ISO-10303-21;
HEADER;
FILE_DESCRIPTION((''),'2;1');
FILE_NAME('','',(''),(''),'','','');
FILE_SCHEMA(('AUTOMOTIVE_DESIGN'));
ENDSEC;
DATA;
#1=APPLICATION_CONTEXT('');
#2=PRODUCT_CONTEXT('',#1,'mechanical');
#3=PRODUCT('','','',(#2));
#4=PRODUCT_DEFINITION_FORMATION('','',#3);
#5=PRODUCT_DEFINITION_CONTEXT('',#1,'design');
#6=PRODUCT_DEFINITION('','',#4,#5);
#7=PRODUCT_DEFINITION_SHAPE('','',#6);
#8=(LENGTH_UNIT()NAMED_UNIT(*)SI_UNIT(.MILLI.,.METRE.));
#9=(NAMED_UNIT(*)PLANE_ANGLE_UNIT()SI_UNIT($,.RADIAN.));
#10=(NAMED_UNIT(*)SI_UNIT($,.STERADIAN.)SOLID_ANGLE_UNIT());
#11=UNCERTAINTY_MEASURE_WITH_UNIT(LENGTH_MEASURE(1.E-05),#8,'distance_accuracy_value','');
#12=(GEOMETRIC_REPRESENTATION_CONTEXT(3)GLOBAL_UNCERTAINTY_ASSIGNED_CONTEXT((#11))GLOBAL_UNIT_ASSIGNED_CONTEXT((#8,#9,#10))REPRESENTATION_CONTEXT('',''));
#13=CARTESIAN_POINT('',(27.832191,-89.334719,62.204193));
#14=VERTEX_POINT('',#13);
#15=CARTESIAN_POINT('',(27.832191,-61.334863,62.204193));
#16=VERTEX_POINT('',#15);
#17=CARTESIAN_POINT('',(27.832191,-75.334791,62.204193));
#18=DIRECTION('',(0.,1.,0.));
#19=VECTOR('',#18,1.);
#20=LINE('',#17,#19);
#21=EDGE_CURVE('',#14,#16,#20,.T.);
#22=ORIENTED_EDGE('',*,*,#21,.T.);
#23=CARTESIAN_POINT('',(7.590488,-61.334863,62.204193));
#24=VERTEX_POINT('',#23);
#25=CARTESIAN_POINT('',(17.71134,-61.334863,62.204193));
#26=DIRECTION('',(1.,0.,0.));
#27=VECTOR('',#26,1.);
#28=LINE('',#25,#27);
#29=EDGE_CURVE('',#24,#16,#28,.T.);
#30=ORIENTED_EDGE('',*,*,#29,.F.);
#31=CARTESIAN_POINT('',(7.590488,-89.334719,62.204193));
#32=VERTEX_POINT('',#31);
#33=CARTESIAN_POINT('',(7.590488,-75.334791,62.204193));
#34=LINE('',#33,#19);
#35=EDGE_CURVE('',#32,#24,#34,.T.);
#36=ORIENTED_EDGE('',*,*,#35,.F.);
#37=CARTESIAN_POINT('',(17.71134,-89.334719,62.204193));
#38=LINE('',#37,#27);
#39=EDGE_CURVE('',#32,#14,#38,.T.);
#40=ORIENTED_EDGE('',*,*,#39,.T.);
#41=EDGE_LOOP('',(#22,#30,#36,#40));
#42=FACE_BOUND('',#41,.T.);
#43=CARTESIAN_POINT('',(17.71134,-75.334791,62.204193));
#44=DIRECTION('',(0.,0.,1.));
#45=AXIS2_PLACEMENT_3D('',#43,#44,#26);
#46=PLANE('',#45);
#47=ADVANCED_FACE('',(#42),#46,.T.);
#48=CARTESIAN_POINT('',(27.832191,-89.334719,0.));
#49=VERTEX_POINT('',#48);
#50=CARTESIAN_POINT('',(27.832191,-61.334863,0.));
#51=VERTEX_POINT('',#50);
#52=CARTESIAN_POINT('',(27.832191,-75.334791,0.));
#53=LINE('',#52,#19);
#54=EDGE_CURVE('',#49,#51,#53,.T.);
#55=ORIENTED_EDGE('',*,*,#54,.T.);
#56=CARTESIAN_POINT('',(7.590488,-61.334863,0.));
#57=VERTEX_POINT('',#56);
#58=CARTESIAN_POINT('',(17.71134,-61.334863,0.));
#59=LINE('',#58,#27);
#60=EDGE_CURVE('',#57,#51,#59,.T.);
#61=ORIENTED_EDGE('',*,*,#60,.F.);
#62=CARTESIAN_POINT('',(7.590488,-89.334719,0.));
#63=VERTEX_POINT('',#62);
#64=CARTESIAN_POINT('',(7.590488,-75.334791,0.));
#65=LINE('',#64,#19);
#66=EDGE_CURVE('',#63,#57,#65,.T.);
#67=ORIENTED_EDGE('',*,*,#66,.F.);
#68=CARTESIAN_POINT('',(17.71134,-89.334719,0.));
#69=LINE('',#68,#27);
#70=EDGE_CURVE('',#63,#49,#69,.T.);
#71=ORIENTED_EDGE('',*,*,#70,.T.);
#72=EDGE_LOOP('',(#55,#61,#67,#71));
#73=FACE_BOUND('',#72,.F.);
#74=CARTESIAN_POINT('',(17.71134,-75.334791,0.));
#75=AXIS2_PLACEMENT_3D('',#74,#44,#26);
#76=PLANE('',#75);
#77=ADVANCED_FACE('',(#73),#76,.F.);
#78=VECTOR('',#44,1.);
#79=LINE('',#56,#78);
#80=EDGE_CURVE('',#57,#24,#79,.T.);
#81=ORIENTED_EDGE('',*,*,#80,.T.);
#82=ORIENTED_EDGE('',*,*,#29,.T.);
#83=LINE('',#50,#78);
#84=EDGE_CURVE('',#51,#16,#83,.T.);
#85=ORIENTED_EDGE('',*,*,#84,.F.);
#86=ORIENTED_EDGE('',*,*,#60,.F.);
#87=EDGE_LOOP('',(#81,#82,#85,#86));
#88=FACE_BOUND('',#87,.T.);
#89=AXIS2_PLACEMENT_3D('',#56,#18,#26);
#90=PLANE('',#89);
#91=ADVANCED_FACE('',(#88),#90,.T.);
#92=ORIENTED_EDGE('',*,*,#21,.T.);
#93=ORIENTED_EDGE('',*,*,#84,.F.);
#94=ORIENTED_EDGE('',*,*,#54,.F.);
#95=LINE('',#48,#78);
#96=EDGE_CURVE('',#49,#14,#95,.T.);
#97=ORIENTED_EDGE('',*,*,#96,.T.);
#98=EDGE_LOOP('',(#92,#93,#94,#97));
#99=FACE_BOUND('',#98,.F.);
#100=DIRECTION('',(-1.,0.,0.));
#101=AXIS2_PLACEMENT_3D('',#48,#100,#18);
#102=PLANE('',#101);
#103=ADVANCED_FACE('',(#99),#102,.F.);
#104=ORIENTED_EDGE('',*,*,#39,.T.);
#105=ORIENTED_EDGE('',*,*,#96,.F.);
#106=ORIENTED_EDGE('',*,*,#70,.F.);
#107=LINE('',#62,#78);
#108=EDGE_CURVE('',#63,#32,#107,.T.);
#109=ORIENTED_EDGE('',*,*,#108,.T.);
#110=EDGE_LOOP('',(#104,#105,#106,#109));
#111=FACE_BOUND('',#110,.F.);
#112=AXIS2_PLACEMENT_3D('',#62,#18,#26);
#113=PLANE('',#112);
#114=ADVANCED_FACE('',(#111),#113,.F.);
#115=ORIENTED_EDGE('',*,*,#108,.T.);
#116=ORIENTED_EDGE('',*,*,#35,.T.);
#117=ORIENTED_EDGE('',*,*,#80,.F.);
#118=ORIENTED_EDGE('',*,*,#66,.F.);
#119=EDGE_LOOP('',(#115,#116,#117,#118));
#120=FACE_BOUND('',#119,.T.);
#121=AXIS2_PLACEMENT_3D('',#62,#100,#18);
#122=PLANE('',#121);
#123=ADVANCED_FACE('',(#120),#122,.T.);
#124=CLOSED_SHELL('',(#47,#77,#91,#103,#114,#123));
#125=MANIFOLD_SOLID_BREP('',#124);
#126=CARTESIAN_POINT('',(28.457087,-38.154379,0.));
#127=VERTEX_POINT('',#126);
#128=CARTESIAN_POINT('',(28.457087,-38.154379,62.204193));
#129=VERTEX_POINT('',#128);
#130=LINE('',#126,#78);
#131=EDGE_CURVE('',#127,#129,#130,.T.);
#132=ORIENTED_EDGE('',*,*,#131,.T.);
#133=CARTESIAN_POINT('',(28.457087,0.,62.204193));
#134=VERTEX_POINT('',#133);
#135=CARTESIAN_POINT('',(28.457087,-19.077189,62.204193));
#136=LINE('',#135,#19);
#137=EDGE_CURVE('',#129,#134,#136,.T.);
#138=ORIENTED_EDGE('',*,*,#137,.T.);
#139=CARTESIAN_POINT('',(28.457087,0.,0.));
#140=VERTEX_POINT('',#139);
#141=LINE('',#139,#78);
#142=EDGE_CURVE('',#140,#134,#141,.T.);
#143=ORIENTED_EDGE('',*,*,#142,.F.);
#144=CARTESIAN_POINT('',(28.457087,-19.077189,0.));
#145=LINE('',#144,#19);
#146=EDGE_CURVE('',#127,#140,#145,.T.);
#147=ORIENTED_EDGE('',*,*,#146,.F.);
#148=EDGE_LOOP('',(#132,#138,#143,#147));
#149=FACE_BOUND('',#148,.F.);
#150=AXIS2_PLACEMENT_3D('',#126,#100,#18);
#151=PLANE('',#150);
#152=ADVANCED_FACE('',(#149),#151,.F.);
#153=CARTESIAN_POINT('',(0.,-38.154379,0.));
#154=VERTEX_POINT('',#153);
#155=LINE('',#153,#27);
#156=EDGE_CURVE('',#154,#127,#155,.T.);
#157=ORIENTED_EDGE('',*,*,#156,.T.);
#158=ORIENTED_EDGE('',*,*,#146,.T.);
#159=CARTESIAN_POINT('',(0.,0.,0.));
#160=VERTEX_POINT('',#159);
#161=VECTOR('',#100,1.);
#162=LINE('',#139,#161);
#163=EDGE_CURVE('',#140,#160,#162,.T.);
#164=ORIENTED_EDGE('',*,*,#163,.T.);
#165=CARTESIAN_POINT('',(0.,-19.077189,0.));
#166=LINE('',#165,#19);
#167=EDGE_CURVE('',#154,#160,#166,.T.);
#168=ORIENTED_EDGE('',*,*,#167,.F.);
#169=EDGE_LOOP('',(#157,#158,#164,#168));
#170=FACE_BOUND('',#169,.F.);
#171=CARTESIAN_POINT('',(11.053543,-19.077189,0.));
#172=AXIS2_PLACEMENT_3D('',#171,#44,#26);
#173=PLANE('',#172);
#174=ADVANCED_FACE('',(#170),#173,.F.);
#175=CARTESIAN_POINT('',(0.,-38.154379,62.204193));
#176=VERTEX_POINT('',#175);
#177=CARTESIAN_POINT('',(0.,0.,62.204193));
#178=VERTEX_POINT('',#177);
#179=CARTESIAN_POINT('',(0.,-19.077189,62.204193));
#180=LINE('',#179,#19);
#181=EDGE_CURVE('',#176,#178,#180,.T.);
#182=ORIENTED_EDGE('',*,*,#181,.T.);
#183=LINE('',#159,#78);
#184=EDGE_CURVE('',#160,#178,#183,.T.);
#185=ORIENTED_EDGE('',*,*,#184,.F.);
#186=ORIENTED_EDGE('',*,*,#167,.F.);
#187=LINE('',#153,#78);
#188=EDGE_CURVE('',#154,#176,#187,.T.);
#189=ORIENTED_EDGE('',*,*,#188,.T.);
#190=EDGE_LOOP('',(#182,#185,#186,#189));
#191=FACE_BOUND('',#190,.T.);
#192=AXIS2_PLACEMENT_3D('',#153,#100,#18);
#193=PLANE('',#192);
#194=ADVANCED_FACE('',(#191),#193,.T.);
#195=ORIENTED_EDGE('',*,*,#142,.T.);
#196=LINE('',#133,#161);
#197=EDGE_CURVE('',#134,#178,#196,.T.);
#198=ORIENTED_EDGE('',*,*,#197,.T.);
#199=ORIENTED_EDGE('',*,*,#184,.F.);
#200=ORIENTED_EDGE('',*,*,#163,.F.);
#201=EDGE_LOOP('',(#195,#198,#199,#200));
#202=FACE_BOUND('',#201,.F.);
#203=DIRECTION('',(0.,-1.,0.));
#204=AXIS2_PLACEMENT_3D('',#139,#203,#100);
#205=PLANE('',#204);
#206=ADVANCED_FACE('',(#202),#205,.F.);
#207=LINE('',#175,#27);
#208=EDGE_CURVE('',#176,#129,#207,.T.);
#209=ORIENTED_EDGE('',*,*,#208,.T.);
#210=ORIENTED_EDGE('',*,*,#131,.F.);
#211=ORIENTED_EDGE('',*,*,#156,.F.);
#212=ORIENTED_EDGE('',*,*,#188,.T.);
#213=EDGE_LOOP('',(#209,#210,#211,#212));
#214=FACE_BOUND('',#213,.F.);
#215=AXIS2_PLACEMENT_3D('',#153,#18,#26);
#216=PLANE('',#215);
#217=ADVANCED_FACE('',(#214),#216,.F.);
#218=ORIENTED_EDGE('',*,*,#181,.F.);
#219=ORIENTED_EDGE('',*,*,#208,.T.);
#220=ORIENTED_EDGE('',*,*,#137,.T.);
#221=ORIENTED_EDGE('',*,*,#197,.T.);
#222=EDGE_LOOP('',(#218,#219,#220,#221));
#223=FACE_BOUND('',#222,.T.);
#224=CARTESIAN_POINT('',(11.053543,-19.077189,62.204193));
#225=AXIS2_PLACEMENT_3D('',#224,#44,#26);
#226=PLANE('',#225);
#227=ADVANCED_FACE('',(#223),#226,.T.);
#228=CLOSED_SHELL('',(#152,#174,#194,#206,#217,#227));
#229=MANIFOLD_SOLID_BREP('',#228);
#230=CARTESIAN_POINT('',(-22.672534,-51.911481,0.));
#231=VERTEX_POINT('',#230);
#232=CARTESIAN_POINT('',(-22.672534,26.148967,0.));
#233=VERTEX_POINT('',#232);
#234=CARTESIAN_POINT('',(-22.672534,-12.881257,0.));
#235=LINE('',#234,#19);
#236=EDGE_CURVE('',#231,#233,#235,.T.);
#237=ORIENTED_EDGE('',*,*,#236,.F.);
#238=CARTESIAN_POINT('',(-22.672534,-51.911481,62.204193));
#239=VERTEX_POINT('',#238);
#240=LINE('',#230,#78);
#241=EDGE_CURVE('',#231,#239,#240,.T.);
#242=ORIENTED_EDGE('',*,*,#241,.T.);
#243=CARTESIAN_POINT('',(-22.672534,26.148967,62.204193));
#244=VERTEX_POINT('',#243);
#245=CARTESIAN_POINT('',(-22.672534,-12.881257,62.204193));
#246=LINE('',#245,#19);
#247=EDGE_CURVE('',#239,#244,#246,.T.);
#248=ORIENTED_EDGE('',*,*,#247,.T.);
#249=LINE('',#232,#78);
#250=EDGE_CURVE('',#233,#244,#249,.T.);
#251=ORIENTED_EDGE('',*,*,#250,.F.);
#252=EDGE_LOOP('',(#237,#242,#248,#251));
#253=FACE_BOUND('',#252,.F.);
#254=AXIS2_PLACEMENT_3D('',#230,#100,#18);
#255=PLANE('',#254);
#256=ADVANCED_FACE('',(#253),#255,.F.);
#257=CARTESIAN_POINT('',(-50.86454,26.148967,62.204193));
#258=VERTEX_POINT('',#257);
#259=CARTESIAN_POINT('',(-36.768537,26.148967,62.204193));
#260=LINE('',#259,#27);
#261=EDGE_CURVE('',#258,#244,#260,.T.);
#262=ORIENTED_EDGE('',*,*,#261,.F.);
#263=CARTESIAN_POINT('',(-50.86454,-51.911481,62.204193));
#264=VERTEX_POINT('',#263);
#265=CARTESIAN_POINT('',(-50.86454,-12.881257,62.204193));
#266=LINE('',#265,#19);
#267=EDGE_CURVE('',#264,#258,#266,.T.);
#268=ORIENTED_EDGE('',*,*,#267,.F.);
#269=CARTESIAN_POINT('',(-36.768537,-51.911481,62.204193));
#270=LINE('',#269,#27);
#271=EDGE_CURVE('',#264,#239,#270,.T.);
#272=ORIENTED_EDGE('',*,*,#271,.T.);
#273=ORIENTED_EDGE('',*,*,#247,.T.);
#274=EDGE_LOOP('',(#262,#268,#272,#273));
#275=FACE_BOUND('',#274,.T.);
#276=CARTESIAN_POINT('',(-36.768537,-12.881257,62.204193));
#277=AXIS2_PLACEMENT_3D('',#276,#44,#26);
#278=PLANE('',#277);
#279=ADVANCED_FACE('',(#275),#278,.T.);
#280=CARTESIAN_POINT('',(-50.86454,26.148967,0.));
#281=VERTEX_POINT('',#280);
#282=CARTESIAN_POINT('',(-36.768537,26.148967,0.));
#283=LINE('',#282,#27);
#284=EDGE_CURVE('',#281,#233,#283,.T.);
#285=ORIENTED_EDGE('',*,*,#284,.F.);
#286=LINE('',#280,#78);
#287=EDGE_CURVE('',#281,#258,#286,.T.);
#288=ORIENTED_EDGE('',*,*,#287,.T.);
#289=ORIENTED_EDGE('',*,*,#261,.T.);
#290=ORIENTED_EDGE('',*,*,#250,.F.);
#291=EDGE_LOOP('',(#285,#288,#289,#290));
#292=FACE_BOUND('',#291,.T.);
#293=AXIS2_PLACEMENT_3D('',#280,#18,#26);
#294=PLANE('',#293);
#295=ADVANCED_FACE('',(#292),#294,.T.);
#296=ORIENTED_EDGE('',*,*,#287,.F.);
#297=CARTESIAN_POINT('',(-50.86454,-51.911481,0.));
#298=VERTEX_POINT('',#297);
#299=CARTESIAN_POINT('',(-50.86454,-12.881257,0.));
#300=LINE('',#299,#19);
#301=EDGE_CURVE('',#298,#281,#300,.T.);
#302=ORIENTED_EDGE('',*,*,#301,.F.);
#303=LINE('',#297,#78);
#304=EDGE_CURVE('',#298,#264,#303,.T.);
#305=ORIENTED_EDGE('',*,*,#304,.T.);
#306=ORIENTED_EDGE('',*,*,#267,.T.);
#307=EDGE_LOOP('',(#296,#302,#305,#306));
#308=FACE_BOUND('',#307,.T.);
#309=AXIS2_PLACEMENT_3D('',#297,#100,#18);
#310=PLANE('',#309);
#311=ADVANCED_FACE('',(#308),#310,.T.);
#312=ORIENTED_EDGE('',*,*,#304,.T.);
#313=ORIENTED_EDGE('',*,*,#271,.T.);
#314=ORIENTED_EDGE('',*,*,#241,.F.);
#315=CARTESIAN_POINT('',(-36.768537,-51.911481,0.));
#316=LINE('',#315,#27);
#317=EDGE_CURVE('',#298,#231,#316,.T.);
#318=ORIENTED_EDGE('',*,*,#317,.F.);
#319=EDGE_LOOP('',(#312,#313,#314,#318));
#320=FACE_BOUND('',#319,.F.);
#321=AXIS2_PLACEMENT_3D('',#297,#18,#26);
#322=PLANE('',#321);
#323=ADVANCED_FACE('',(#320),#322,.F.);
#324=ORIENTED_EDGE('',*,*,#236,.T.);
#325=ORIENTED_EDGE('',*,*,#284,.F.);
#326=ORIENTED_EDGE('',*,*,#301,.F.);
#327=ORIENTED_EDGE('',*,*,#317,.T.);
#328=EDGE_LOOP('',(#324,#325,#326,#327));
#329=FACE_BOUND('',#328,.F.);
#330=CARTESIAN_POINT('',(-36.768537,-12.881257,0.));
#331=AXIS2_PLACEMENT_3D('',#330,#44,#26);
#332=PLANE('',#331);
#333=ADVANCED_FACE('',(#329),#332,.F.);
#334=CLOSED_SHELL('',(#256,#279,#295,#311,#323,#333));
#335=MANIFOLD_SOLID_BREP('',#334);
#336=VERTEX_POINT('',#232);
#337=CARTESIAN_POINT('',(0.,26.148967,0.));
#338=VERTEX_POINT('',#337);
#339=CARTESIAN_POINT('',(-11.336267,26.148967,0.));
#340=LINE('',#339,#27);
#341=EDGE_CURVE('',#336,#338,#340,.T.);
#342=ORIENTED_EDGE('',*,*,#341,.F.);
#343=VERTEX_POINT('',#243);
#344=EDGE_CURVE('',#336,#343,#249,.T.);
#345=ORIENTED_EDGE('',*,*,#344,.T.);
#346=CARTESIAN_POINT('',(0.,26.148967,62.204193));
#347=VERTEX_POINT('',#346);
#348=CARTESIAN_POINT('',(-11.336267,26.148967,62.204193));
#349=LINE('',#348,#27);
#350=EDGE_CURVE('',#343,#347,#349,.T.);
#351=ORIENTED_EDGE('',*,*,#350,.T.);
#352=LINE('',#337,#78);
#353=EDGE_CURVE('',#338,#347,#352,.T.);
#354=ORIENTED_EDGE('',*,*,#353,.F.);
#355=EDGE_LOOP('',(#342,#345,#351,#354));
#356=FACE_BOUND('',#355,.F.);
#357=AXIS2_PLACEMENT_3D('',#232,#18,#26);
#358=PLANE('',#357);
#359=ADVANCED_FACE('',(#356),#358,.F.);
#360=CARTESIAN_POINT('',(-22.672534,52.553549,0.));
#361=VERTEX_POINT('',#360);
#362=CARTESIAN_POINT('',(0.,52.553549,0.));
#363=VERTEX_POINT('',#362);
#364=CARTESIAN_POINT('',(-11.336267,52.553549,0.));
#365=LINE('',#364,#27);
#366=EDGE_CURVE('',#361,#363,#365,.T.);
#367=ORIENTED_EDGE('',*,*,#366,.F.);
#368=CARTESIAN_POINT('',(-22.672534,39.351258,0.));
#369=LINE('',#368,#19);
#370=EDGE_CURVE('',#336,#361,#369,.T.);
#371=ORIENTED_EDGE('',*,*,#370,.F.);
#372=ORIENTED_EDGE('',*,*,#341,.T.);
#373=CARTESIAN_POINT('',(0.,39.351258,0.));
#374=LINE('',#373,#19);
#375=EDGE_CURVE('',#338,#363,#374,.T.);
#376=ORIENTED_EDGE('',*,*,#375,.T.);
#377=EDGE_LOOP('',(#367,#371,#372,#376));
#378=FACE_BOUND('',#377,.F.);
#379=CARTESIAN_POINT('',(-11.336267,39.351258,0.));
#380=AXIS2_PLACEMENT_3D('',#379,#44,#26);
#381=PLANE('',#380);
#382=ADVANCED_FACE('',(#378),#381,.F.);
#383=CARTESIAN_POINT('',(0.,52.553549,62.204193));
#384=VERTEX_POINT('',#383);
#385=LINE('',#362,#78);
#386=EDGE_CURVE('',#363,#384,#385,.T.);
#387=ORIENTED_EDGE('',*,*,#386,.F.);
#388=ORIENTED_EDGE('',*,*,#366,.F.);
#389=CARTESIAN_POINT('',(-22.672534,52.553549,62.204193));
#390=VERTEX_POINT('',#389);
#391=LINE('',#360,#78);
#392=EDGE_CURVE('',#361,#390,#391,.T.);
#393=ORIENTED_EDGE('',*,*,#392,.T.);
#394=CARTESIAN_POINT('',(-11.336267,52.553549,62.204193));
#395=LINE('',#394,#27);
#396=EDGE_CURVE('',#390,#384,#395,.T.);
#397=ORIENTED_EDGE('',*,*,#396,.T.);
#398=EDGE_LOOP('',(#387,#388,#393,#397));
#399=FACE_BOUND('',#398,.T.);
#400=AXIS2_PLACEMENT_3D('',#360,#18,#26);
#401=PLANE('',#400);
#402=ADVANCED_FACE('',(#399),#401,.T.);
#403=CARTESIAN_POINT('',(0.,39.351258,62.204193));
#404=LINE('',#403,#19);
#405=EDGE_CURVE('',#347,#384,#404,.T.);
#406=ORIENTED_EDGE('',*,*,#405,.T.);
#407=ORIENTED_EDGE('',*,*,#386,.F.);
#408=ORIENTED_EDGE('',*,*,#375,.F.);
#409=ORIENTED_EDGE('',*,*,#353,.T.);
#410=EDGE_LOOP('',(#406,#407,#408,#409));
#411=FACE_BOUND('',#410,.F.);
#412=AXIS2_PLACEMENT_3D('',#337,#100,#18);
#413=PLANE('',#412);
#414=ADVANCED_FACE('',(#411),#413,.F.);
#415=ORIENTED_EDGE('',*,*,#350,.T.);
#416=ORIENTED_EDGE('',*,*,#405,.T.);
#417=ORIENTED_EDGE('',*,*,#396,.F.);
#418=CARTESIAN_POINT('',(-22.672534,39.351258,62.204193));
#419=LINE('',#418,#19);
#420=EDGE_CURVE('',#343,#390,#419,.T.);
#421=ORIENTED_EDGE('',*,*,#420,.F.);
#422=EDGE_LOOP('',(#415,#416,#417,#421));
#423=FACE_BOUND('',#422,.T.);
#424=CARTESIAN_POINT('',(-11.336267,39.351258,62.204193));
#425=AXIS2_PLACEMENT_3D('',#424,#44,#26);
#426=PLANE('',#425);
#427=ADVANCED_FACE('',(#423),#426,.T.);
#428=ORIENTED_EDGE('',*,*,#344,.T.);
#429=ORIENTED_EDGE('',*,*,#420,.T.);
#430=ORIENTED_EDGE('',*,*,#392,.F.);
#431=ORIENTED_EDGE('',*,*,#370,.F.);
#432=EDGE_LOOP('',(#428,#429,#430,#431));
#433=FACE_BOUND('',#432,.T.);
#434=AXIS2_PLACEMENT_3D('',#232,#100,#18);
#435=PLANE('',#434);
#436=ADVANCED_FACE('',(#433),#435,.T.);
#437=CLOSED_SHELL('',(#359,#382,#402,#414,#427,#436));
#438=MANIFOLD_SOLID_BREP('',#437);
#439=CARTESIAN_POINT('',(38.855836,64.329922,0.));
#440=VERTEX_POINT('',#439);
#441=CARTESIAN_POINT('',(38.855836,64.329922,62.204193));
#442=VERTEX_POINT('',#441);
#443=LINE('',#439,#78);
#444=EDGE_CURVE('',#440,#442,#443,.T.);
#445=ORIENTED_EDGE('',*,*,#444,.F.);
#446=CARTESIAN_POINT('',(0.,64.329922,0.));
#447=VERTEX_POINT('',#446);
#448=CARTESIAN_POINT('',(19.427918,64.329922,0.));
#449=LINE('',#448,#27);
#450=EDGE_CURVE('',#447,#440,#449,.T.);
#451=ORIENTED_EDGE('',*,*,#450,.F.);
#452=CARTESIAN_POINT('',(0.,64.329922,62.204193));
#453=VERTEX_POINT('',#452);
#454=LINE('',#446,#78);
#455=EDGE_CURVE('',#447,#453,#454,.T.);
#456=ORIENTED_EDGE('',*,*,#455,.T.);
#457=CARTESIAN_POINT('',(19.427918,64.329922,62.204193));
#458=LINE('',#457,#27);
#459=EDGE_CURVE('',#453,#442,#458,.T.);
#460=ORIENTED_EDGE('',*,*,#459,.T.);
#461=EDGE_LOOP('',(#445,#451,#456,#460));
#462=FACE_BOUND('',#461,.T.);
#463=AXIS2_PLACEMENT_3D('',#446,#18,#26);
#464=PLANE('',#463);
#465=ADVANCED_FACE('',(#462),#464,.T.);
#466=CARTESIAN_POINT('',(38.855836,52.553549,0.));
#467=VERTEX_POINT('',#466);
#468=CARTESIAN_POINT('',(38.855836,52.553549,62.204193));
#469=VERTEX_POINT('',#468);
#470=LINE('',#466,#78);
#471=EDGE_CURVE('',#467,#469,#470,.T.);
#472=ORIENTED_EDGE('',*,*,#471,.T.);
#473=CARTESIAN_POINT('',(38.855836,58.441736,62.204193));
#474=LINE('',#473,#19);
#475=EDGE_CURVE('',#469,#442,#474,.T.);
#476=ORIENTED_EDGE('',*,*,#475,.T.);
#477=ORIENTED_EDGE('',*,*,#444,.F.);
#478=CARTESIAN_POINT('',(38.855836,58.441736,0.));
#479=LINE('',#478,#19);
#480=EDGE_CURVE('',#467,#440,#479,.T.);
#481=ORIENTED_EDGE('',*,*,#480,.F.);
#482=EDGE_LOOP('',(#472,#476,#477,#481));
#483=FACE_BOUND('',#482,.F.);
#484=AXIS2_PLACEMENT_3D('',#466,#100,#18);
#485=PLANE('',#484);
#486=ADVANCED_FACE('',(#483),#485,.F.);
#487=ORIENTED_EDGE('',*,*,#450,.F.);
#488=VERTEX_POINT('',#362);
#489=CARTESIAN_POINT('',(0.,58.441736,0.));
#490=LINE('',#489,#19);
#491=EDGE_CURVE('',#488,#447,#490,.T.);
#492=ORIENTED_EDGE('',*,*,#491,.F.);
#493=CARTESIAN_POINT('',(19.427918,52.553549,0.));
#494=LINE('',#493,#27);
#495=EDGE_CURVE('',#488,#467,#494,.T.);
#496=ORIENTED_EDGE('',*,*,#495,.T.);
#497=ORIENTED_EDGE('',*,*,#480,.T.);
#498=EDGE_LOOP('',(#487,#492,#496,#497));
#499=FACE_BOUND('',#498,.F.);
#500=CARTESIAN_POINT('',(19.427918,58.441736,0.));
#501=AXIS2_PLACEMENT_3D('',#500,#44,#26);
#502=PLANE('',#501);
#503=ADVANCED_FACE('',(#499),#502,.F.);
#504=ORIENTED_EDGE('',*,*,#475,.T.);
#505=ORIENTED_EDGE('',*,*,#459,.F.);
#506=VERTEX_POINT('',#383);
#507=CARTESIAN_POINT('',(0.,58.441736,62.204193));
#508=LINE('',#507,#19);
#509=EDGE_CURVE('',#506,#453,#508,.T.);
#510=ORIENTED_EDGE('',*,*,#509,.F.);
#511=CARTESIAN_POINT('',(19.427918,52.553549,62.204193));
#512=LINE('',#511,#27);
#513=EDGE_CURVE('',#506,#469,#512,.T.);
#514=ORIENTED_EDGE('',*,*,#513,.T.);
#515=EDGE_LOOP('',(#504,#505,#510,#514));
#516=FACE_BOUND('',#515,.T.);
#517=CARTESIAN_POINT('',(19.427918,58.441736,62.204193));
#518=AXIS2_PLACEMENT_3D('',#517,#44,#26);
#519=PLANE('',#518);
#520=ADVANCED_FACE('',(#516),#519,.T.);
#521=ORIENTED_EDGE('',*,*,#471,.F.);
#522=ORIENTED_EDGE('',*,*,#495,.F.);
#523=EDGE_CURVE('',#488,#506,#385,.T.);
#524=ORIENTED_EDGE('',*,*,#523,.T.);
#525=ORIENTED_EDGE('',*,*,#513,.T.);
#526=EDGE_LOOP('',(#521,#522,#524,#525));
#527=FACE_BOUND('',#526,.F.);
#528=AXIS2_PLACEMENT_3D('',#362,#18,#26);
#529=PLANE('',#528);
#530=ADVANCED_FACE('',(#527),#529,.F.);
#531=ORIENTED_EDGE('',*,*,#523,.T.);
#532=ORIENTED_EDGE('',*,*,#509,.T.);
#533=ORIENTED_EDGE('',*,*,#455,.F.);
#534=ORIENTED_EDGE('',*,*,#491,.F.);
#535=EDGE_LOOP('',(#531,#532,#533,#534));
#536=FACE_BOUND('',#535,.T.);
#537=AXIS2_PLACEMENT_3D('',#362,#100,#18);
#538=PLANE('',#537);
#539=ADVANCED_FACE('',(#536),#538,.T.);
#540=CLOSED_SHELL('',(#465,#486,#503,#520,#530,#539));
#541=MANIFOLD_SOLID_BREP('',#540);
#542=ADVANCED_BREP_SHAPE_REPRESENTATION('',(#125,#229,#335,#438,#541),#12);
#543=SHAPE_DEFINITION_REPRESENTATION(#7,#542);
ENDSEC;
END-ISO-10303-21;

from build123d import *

# Parameters (mm, degrees)
F0_W     = 28.1920060515
F0_H     = 78.0604481697
F1_DEPTH = 62.2041933239
F0_W_2   = 22.672533989
F0_H_2   = 26.404581964
F0_W_3   = 38.8558357954
F0_H_3   = 11.7763727903
F0_W_4   = 22.1070865333
F0_H_4   = 38.1543785334
F0_W_5   = 6.35
F0_W_6   = 20.2417038381
F0_H_5   = 27.9998555779


with BuildPart() as f1:
    # F0 (on Top) → F1 (new body)
    with BuildSketch(Plane.XY):
        with Locations((-36.7685370147, -12.88125664)):
            Rectangle(F0_W, F0_H)
    extrude(amount=F1_DEPTH)


with BuildPart() as f1b:
    # F0 (on Top) → F1, piece 2 (new body)
    with BuildSketch(Plane.XY):
        with Locations((-11.3362669945, 39.3512584269)):
            Rectangle(F0_W_2, F0_H_2)
    extrude(amount=F1_DEPTH)


with BuildPart() as f1c:
    # F0 (on Top) → F1, piece 3 (new body)
    with BuildSketch(Plane.XY):
        with Locations((19.4279178977, 58.4417358041)):
            Rectangle(F0_W_3, F0_H_3)
    extrude(amount=F1_DEPTH)


with BuildPart() as f1d:
    # F0 (on Top) → F1, piece 4 (new body)
    with BuildSketch(Plane.XY):
        with Locations((11.0535432667, -19.0771892667)):
            Rectangle(F0_W_4, F0_H_4)
        with Locations((25.2820865333, -19.0771892667)):
            Rectangle(F0_W_5, F0_H_4)
    extrude(amount=F1_DEPTH)


with BuildPart() as f1e:
    # F0 (on Top) → F1, piece 5 (new body)
    with BuildSketch(Plane.XY):
        with Locations((17.7113395184, -75.3347910941)):
            Rectangle(F0_W_6, F0_H_5)
    extrude(amount=F1_DEPTH)


solid = Compound([f1.part, f1b.part, f1c.part, f1d.part, f1e.part])
